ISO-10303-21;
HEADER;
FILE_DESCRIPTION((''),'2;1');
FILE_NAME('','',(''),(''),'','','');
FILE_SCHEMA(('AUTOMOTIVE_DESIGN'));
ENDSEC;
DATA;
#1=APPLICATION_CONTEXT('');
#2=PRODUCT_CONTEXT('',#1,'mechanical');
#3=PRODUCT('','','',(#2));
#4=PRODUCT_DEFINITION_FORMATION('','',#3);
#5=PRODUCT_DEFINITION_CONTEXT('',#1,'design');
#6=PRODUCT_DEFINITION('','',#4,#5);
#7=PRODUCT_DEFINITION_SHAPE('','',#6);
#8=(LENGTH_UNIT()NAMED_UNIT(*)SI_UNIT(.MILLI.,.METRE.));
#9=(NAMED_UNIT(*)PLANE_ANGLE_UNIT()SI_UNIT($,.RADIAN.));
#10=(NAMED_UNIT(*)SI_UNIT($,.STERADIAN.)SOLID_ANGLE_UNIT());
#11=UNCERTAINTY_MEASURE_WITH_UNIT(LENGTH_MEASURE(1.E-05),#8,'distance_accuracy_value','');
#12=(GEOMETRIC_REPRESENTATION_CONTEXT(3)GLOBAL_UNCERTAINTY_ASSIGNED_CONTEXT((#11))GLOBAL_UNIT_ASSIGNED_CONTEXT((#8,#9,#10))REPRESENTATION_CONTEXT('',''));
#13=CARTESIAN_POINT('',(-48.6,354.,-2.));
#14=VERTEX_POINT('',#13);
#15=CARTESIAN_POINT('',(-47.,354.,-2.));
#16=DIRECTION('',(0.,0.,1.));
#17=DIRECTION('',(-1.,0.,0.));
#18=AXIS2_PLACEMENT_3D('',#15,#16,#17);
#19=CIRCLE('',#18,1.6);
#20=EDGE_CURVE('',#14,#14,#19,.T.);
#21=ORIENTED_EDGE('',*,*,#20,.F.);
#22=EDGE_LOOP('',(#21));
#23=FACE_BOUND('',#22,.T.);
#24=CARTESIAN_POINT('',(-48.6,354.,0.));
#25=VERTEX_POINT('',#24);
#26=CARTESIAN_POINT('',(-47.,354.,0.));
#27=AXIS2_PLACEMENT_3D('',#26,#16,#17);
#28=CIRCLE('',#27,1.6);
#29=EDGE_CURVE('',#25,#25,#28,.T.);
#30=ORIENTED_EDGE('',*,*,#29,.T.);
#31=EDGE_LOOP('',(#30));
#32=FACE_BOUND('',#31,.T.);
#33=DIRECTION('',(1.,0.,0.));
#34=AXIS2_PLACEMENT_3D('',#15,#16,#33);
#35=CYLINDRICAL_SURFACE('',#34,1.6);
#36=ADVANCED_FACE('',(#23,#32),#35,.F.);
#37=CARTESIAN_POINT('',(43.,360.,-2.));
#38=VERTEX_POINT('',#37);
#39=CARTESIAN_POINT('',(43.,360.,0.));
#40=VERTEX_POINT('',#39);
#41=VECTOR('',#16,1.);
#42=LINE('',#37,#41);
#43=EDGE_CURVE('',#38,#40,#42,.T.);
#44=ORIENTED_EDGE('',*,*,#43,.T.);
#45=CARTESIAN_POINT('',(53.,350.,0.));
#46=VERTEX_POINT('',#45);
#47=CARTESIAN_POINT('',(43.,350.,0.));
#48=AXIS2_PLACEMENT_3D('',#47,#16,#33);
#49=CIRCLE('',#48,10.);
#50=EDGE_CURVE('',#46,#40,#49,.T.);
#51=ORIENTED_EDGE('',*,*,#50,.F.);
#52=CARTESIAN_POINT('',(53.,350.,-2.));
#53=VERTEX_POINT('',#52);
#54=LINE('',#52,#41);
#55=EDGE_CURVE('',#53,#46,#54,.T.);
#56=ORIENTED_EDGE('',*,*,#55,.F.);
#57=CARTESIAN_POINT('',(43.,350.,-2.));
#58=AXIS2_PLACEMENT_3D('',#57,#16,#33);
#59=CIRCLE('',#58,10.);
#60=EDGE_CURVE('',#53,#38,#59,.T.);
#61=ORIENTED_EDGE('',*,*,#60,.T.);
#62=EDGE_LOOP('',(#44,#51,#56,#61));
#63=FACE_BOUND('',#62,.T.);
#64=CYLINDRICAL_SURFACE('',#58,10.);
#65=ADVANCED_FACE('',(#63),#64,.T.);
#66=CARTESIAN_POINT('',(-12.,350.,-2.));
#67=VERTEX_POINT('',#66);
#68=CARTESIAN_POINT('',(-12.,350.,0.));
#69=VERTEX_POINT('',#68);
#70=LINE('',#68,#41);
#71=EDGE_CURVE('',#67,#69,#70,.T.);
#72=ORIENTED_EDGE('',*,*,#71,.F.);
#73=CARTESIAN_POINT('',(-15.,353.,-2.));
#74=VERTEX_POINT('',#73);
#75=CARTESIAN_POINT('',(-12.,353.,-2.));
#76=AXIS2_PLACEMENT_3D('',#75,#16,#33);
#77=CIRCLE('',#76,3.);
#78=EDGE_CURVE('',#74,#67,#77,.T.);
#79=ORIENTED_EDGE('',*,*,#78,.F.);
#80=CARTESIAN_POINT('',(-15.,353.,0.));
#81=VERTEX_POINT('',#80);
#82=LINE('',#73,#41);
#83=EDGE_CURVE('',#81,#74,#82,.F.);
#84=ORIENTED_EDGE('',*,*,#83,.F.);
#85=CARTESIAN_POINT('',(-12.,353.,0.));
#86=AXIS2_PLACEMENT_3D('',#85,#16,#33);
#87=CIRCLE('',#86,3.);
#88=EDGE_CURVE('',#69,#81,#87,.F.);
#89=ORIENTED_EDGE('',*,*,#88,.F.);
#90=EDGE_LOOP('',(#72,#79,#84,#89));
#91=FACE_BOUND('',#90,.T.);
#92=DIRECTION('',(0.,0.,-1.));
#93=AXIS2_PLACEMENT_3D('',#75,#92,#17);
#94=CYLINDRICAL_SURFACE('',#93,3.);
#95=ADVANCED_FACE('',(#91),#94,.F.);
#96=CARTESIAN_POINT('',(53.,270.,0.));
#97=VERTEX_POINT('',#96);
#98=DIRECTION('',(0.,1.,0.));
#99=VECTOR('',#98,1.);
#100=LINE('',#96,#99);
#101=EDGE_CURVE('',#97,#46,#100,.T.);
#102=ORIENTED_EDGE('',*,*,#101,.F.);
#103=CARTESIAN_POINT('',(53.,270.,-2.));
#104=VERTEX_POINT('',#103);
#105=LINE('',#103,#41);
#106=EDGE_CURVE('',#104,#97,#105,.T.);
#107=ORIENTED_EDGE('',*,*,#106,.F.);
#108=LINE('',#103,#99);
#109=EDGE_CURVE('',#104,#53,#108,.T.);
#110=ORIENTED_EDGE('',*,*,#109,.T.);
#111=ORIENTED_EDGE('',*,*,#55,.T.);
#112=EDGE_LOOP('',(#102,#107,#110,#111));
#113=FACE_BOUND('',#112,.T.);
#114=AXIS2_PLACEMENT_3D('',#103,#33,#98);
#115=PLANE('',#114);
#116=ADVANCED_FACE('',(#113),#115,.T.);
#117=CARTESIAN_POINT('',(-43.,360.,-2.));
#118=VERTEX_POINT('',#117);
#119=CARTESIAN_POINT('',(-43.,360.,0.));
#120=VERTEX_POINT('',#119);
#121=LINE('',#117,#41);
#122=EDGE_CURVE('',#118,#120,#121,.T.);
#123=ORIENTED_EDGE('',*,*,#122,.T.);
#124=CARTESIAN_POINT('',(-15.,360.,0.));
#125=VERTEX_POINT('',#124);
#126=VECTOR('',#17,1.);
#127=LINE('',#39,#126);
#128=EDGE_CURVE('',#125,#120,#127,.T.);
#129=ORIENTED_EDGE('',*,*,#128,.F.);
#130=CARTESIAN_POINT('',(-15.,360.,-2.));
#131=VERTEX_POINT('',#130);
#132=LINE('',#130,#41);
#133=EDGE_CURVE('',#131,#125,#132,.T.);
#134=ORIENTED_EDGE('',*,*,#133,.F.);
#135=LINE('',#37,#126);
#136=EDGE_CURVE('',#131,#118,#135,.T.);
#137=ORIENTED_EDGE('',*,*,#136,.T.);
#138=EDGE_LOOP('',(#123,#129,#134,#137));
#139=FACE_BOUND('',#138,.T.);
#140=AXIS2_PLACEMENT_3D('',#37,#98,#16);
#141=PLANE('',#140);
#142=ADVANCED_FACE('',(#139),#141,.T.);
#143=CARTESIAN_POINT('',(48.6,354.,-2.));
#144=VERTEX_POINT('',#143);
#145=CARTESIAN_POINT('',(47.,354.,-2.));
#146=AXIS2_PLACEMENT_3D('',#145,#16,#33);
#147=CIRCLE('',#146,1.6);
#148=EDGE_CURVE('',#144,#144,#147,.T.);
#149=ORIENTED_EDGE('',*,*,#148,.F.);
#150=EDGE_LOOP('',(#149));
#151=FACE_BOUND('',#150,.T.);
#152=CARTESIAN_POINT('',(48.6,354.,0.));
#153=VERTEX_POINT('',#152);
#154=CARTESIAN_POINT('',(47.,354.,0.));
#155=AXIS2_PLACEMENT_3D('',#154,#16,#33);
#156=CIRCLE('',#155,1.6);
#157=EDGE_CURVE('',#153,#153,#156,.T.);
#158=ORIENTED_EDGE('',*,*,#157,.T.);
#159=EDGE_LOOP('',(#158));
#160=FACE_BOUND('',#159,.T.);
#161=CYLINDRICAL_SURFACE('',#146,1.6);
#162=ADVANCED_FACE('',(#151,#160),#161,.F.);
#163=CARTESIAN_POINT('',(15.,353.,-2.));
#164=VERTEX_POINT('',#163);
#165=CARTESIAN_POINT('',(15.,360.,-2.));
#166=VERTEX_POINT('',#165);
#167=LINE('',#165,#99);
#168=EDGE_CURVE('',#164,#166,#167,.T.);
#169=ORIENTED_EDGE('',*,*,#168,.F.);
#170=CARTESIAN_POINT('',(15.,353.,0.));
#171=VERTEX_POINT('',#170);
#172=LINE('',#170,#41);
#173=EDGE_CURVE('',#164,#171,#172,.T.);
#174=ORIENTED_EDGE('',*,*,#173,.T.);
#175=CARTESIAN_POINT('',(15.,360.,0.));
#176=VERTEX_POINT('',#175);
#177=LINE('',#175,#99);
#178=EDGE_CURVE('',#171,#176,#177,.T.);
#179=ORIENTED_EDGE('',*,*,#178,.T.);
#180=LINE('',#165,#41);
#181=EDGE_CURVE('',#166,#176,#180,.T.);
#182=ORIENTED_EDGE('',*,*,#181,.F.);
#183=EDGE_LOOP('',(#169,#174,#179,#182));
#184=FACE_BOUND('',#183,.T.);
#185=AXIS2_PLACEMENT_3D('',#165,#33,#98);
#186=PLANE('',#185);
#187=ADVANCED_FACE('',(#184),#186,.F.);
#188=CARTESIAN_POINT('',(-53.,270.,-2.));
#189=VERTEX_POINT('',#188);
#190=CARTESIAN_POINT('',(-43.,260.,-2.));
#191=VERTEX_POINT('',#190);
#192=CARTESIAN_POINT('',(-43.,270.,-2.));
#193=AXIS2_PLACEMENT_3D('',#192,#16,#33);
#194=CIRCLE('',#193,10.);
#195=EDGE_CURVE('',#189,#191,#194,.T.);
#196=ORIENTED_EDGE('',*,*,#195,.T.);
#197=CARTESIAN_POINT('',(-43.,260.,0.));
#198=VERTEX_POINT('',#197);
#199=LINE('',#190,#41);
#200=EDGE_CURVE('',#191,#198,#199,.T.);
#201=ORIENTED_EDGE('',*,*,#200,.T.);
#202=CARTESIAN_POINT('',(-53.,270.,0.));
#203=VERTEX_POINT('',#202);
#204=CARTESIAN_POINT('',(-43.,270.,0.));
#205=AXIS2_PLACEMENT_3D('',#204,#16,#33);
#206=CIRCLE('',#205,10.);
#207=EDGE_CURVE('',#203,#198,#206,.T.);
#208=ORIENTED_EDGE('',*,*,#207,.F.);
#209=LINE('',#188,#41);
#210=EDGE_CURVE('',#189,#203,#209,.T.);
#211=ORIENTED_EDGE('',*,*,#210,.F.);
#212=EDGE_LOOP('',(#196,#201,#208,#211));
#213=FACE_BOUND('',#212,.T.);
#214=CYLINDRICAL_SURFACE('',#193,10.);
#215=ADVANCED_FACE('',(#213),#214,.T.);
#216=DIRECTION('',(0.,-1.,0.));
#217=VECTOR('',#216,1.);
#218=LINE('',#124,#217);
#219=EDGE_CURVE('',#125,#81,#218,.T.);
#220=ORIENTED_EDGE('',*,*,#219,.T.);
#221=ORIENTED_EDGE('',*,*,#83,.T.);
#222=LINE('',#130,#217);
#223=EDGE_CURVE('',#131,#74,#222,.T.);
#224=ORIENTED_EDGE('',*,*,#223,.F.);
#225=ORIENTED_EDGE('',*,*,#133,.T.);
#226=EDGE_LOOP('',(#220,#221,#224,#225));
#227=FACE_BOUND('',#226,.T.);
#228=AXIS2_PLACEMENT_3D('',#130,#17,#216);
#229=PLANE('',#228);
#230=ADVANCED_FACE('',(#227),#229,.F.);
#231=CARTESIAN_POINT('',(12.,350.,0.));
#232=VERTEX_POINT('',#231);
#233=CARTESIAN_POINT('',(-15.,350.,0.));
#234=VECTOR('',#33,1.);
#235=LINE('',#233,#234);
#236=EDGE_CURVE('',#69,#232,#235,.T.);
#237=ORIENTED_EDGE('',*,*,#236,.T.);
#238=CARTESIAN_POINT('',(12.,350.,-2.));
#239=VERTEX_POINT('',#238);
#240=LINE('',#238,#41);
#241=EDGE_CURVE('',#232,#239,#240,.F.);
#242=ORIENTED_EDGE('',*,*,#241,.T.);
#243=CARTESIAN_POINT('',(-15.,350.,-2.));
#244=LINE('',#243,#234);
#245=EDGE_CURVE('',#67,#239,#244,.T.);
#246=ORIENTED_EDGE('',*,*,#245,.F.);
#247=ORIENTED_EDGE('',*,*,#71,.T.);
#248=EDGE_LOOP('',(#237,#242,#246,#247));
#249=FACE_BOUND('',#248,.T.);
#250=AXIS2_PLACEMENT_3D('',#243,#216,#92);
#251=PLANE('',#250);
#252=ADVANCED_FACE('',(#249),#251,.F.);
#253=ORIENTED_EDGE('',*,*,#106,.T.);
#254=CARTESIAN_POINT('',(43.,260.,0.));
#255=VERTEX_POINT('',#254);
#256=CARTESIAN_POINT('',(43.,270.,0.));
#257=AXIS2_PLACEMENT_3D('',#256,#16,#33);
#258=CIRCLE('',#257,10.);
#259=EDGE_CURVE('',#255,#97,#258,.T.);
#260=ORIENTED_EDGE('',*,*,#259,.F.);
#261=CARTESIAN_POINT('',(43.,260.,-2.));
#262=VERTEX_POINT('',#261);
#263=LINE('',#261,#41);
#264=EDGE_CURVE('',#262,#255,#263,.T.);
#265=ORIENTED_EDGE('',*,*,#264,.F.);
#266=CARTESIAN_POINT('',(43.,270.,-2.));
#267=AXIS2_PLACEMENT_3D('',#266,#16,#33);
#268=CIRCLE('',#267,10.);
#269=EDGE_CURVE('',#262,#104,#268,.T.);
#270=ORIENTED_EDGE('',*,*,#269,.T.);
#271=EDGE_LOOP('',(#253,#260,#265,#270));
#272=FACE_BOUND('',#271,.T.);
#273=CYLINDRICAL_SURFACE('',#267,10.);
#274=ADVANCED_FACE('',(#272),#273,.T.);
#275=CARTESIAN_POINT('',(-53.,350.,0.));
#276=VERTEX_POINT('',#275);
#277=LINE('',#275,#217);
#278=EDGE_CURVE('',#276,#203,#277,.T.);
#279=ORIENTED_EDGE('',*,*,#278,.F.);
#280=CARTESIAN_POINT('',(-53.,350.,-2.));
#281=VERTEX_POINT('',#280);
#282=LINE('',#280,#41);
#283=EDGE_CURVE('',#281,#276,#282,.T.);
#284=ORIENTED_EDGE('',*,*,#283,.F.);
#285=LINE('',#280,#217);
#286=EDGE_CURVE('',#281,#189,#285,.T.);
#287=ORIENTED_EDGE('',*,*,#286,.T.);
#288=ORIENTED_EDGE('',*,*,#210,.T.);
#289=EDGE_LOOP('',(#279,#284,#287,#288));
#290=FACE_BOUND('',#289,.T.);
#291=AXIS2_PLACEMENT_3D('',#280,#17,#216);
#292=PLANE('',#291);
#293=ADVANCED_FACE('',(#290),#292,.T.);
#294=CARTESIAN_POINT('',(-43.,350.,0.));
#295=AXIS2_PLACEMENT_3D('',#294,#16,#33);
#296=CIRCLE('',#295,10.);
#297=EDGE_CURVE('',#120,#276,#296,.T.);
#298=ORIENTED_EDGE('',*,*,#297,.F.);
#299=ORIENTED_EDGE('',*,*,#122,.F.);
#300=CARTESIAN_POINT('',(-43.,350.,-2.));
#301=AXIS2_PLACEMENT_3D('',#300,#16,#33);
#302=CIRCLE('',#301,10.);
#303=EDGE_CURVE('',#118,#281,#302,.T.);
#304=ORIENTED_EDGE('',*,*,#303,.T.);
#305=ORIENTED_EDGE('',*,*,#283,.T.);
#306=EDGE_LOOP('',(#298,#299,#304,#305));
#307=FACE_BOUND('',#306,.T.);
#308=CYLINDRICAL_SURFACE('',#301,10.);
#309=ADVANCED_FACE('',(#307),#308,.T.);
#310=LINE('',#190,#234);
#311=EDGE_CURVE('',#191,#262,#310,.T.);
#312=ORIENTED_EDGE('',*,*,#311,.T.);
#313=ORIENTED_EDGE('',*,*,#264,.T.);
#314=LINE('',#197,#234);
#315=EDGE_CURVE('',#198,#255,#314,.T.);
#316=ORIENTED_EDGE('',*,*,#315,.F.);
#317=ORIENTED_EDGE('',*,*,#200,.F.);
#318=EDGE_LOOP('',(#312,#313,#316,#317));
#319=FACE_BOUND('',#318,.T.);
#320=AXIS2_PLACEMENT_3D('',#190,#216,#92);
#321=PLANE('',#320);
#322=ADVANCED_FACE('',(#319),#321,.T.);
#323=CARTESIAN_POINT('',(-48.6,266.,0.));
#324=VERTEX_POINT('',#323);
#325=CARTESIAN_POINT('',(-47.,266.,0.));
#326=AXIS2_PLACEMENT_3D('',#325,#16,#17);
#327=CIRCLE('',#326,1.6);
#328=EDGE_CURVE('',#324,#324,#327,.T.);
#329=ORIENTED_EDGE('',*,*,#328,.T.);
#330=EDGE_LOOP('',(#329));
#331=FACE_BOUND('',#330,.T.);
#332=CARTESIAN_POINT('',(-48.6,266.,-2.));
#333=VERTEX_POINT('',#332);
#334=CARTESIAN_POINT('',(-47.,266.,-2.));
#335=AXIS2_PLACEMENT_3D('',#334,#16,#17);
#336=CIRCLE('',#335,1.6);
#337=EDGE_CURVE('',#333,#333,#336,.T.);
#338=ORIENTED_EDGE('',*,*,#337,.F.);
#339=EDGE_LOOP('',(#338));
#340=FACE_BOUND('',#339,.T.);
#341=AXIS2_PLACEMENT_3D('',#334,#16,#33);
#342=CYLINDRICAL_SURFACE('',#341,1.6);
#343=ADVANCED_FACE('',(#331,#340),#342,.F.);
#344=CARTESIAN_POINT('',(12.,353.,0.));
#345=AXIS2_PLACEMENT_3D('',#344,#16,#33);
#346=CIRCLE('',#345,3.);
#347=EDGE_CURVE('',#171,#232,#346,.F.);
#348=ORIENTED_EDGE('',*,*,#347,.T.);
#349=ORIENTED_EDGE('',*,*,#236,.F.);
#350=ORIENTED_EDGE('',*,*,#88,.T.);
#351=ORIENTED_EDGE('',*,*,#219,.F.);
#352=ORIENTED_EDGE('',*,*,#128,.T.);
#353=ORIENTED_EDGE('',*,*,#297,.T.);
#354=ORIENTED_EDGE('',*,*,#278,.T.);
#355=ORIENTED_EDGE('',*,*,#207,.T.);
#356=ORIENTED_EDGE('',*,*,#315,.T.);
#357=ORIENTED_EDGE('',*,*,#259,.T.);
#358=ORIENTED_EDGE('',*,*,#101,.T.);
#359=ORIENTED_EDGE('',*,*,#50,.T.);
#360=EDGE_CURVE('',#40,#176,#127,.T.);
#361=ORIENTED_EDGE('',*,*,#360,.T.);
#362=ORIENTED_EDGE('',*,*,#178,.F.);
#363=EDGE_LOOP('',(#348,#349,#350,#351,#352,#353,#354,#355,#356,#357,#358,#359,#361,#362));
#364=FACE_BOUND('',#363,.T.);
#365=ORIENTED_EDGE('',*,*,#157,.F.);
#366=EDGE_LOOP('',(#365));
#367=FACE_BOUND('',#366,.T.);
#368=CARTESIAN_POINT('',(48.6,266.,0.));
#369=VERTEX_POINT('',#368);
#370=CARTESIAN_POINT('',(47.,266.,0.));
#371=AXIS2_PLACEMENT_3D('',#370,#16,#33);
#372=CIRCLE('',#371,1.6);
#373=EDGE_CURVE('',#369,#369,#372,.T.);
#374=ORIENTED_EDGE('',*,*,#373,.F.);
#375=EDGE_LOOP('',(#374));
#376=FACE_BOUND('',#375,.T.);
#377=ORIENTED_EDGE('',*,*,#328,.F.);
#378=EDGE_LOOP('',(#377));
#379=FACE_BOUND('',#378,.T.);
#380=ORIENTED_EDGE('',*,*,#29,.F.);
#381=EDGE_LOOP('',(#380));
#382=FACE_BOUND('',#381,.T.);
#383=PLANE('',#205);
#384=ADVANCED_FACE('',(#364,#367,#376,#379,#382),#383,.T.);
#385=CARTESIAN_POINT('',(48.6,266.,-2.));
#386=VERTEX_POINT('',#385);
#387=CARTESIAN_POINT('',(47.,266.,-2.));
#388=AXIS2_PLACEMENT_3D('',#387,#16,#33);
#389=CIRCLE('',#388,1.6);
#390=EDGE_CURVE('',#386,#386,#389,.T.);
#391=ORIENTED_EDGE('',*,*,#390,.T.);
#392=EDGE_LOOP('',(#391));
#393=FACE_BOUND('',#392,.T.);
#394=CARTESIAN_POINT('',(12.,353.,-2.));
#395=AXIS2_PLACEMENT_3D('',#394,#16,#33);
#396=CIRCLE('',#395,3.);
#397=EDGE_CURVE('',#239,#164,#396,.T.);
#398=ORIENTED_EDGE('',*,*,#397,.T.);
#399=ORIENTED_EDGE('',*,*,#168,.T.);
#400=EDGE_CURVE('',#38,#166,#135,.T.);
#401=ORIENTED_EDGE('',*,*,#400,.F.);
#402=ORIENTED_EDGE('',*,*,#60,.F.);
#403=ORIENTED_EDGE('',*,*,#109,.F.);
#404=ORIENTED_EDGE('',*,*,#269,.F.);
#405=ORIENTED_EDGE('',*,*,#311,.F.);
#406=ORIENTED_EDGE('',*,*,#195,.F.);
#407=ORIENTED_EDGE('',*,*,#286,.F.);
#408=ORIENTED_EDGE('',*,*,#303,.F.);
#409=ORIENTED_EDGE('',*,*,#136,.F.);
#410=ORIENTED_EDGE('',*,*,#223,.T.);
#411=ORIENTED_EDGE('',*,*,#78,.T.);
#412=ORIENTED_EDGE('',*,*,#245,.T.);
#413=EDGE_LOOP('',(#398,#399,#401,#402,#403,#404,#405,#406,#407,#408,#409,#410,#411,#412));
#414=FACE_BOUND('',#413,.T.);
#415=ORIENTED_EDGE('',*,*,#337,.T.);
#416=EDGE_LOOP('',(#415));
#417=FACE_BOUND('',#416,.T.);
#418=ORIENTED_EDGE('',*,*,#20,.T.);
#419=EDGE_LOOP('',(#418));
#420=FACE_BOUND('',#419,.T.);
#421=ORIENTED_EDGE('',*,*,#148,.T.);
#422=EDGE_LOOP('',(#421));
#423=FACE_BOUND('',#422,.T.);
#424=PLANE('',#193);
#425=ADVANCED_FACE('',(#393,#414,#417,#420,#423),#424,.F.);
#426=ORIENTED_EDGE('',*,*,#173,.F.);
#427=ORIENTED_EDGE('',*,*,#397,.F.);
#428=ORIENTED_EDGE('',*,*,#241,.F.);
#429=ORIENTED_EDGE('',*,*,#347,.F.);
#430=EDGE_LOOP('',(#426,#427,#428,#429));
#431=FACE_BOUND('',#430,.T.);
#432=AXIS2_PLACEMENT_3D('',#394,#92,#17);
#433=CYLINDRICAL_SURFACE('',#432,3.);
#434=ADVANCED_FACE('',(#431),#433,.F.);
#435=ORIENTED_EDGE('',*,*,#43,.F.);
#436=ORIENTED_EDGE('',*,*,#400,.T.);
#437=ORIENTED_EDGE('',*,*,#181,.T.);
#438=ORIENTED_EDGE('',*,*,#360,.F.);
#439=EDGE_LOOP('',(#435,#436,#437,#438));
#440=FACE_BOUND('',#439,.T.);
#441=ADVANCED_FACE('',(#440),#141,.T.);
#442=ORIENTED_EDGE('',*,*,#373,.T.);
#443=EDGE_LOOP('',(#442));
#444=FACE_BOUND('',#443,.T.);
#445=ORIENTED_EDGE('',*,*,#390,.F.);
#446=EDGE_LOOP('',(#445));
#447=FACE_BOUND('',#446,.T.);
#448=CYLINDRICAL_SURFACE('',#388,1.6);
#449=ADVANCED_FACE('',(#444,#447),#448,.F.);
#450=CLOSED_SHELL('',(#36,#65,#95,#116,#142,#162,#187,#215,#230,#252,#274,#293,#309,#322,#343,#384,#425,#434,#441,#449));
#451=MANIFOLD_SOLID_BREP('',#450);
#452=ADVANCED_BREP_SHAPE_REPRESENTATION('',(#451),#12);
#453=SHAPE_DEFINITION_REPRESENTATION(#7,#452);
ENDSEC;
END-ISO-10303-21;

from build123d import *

# Parameters (mm, degrees)
BOSS_EXTRUDE1_DEPTH = 2
SKETCH2_W           = 30
SKETCH2_H           = 10
CUT_EXTRUDE1_DEPTH  = 364.88597115
FILLET1_R           = 3
SKETCH3_R           = 1.6
CUT_EXTRUDE2_DEPTH  = 364.88597115


with BuildPart() as part:
    # Sketch1 → Boss-Extrude1 (new body)
    with BuildSketch(Plane.XY):
        with BuildLine():
            Line((-43, 260), (43, 260))
            ThreePointArc((43, 260), (50.071067812, 262.928932188), (53, 270))
            Line((53, 270), (53, 350))
            ThreePointArc((53, 350), (50.071067812, 357.071067812), (43, 360))
            Line((43, 360), (-43, 360))
            ThreePointArc((-43, 360), (-50.071067812, 357.071067812), (-53, 350))
            Line((-53, 350), (-53, 270))
            ThreePointArc((-53, 270), (-50.071067812, 262.928932188), (-43, 260))
        make_face()
    extrude(amount=-BOSS_EXTRUDE1_DEPTH)

    # Sketch2 → Cut-Extrude1 (cut, through all)
    with BuildSketch(Plane.XY):
        with Locations((0, 355)):
            Rectangle(SKETCH2_W, SKETCH2_H)
    extrude(amount=-CUT_EXTRUDE1_DEPTH, mode=Mode.SUBTRACT)

    # Fillet1
    fillet1_edges = [part.edges().sort_by_distance(p)[0] for p in [
        (-15, 350, -1),
        (15, 350, -1),
    ]]
    fillet(fillet1_edges, radius=FILLET1_R)

    # Sketch3 → Cut-Extrude2 (cut, through all)
    with BuildSketch(Plane.XY):
        with Locations((47, 354)):
            Circle(SKETCH3_R)
        with Locations((47, 266)):
            Circle(SKETCH3_R)
        with Locations(Location((-47, 266, 0), (0, 0, 180))):
            Circle(SKETCH3_R)
        with Locations(Location((-47, 354, 0), (0, 0, 180))):
            Circle(SKETCH3_R)
    extrude(amount=-CUT_EXTRUDE2_DEPTH, mode=Mode.SUBTRACT)


solid = part.part
